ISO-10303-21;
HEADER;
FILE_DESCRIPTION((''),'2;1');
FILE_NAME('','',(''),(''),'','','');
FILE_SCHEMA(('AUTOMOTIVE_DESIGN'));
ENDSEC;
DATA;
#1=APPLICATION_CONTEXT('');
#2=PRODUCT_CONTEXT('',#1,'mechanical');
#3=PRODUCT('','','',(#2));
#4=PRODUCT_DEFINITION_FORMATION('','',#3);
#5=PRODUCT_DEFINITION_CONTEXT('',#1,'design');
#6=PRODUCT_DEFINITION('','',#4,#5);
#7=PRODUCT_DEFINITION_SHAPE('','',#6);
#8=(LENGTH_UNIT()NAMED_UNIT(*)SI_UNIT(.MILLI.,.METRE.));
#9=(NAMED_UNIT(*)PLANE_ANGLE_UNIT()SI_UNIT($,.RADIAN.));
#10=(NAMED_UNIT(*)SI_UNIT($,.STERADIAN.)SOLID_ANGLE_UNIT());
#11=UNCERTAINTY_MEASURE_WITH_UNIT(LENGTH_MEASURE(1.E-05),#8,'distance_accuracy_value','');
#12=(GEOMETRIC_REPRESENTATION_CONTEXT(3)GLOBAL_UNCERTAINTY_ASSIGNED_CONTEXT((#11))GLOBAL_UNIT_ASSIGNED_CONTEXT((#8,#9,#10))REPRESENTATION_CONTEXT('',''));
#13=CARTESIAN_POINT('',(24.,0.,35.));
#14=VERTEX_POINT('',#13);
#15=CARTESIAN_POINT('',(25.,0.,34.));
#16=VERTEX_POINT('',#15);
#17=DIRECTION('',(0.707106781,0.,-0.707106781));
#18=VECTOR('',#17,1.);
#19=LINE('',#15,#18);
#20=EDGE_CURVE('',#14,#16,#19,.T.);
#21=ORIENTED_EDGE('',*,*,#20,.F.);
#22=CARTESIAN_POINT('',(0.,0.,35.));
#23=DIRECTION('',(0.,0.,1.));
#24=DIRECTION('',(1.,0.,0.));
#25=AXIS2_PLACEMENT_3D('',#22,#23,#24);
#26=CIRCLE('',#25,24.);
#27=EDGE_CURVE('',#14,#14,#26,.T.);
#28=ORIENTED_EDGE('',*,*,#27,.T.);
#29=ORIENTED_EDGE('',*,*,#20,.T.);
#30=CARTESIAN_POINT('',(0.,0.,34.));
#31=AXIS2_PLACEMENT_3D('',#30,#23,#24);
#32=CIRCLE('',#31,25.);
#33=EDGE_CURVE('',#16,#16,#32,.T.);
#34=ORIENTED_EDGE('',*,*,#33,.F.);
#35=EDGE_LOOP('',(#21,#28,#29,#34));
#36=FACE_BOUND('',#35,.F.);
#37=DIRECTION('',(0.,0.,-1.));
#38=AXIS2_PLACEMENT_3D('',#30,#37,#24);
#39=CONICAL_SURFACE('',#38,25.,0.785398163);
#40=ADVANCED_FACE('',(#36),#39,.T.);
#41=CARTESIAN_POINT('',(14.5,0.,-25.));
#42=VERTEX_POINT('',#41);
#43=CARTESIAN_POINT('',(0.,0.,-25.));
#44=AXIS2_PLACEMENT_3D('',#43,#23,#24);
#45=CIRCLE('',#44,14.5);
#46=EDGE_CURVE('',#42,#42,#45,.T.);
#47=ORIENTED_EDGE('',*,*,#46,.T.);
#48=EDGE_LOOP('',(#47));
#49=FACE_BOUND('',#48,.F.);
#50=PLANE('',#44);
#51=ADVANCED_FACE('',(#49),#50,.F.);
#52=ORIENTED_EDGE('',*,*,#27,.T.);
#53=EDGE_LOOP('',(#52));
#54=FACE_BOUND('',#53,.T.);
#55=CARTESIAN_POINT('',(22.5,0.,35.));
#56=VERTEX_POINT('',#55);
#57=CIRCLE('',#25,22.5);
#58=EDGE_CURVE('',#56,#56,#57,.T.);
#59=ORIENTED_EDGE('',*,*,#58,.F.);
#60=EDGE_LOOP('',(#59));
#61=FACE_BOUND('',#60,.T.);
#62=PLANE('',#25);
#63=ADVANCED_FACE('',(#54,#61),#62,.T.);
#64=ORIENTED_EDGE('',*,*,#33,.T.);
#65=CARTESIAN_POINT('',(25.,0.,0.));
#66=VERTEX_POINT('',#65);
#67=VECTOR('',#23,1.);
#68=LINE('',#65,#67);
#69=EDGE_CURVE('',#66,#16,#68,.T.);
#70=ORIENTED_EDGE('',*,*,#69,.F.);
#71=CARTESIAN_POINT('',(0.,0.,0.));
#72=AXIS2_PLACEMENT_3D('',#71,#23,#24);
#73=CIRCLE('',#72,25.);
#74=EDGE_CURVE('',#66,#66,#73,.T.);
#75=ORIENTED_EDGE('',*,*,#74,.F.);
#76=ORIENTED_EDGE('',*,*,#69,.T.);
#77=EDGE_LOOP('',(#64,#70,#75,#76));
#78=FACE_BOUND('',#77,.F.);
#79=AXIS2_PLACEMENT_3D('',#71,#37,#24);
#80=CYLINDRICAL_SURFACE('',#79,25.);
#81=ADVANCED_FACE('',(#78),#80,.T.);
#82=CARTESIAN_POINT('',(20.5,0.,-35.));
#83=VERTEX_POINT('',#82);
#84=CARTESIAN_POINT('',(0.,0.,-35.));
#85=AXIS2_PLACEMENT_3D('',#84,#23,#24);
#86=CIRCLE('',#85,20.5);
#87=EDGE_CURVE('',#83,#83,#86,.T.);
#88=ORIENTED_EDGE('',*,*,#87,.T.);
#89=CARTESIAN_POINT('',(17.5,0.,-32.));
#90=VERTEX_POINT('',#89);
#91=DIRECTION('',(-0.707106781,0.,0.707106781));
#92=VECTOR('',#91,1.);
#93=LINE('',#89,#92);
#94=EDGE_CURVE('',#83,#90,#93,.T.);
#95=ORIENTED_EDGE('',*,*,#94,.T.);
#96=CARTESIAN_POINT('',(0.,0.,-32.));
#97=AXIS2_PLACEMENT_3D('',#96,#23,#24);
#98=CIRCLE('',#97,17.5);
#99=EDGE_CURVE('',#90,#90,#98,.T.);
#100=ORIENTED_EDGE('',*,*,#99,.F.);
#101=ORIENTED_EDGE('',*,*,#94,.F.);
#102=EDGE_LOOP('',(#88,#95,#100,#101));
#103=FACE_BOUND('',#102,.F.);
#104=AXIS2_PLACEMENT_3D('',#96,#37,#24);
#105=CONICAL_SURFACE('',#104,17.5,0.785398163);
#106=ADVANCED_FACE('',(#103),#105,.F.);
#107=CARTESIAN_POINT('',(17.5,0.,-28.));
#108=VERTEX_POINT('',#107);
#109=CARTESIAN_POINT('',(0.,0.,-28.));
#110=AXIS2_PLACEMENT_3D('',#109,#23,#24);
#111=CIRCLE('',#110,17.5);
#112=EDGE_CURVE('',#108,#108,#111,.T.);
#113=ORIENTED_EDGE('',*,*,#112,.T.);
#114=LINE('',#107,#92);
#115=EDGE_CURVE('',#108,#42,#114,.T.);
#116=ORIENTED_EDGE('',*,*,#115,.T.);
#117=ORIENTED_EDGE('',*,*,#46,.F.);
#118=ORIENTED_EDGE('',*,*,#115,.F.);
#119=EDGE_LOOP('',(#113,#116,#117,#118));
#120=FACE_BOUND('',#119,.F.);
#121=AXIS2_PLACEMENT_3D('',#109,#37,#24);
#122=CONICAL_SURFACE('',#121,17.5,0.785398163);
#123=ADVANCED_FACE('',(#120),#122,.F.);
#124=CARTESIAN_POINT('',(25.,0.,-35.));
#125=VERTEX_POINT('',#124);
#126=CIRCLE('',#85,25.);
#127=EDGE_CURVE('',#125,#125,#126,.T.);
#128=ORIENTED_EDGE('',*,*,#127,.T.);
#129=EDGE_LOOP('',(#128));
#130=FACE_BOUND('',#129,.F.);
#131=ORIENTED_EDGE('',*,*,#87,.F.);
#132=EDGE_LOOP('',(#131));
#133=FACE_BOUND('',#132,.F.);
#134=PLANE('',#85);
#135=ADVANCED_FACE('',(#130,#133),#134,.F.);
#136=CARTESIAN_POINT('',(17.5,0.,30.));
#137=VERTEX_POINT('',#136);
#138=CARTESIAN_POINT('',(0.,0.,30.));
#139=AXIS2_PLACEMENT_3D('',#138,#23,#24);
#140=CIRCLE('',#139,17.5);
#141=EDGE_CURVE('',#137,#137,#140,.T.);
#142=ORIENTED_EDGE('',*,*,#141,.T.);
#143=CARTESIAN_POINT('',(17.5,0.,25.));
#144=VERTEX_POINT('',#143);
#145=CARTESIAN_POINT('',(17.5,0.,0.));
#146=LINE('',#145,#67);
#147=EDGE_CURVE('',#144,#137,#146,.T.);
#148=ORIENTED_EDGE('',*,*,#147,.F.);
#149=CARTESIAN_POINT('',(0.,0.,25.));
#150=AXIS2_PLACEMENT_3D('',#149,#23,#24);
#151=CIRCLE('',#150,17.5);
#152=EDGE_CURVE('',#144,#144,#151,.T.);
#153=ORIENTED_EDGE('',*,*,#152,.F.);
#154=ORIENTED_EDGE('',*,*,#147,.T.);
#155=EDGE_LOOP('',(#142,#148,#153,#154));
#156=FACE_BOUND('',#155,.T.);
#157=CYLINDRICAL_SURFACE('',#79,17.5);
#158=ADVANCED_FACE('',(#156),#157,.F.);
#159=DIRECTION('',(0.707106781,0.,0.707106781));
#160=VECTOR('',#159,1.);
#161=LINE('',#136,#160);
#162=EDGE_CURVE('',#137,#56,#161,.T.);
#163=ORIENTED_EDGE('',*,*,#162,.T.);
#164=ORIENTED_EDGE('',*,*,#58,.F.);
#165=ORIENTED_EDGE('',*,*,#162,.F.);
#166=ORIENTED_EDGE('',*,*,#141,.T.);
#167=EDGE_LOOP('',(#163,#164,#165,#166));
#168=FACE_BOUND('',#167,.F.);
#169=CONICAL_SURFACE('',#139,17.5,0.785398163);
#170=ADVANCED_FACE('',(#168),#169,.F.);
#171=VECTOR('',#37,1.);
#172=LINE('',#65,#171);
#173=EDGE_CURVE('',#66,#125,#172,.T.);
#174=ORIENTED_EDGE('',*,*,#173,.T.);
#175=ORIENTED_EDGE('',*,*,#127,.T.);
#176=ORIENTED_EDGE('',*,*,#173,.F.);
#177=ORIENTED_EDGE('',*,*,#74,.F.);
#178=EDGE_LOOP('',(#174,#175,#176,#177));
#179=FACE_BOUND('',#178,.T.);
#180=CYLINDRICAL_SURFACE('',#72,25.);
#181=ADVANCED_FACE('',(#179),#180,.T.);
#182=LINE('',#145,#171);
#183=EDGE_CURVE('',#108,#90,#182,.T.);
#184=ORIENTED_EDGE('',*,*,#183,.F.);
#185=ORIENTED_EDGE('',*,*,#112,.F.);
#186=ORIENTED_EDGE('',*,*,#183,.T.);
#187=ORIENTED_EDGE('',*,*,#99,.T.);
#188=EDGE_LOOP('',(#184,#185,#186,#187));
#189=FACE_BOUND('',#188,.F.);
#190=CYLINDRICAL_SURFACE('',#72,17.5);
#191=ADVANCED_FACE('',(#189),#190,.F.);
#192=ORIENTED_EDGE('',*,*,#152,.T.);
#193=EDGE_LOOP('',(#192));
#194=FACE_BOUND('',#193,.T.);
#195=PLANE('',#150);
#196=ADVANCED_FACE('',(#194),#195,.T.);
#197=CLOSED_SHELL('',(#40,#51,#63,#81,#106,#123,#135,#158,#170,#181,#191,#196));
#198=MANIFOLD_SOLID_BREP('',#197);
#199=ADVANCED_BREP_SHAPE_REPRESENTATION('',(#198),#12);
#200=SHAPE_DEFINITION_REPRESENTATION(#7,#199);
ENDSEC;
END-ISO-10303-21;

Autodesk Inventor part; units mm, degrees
ref_plane "YZ Plane" through (0, 0, 0) normal (1, 0, 0) x (0, 1, 0)
ref_plane "XZ Plane" through (0, 0, 0) normal (0, 1, 0) x (-1, 0, 0)
ref_plane "XY Plane" through (0, 0, 0) normal (0, 0, 1) x (1, 0, 0)
sketch "Sketch1" plane through (0, 0, 0) normal (0, 0, 1) x (1, 0, 0)
  circle A0 centre (0, 0) radius 25
  circle A1 centre (0, 0) radius 17.5
  dimension "d0" = 35
  dimension "d1" = 50
extrude "Extrusion1" add sketch "Sketch1" along normal mid plane 50 contours A1
extrude "Extrusion2" add sketch "Sketch1" along normal mid plane 70
chamfer "Chamfer1" distance 5 angle 45 1 edges at (-17.5, 0, 35)
chamfer "Chamfer2" distance 1 angle 45 1 edges at (-25, 0, 35)
chamfer "Chamfer3" distance 3 angle 45 2 edges at (-17.5, 0, -25) (-17.5, 0, -35)
properties part number "LENS"
